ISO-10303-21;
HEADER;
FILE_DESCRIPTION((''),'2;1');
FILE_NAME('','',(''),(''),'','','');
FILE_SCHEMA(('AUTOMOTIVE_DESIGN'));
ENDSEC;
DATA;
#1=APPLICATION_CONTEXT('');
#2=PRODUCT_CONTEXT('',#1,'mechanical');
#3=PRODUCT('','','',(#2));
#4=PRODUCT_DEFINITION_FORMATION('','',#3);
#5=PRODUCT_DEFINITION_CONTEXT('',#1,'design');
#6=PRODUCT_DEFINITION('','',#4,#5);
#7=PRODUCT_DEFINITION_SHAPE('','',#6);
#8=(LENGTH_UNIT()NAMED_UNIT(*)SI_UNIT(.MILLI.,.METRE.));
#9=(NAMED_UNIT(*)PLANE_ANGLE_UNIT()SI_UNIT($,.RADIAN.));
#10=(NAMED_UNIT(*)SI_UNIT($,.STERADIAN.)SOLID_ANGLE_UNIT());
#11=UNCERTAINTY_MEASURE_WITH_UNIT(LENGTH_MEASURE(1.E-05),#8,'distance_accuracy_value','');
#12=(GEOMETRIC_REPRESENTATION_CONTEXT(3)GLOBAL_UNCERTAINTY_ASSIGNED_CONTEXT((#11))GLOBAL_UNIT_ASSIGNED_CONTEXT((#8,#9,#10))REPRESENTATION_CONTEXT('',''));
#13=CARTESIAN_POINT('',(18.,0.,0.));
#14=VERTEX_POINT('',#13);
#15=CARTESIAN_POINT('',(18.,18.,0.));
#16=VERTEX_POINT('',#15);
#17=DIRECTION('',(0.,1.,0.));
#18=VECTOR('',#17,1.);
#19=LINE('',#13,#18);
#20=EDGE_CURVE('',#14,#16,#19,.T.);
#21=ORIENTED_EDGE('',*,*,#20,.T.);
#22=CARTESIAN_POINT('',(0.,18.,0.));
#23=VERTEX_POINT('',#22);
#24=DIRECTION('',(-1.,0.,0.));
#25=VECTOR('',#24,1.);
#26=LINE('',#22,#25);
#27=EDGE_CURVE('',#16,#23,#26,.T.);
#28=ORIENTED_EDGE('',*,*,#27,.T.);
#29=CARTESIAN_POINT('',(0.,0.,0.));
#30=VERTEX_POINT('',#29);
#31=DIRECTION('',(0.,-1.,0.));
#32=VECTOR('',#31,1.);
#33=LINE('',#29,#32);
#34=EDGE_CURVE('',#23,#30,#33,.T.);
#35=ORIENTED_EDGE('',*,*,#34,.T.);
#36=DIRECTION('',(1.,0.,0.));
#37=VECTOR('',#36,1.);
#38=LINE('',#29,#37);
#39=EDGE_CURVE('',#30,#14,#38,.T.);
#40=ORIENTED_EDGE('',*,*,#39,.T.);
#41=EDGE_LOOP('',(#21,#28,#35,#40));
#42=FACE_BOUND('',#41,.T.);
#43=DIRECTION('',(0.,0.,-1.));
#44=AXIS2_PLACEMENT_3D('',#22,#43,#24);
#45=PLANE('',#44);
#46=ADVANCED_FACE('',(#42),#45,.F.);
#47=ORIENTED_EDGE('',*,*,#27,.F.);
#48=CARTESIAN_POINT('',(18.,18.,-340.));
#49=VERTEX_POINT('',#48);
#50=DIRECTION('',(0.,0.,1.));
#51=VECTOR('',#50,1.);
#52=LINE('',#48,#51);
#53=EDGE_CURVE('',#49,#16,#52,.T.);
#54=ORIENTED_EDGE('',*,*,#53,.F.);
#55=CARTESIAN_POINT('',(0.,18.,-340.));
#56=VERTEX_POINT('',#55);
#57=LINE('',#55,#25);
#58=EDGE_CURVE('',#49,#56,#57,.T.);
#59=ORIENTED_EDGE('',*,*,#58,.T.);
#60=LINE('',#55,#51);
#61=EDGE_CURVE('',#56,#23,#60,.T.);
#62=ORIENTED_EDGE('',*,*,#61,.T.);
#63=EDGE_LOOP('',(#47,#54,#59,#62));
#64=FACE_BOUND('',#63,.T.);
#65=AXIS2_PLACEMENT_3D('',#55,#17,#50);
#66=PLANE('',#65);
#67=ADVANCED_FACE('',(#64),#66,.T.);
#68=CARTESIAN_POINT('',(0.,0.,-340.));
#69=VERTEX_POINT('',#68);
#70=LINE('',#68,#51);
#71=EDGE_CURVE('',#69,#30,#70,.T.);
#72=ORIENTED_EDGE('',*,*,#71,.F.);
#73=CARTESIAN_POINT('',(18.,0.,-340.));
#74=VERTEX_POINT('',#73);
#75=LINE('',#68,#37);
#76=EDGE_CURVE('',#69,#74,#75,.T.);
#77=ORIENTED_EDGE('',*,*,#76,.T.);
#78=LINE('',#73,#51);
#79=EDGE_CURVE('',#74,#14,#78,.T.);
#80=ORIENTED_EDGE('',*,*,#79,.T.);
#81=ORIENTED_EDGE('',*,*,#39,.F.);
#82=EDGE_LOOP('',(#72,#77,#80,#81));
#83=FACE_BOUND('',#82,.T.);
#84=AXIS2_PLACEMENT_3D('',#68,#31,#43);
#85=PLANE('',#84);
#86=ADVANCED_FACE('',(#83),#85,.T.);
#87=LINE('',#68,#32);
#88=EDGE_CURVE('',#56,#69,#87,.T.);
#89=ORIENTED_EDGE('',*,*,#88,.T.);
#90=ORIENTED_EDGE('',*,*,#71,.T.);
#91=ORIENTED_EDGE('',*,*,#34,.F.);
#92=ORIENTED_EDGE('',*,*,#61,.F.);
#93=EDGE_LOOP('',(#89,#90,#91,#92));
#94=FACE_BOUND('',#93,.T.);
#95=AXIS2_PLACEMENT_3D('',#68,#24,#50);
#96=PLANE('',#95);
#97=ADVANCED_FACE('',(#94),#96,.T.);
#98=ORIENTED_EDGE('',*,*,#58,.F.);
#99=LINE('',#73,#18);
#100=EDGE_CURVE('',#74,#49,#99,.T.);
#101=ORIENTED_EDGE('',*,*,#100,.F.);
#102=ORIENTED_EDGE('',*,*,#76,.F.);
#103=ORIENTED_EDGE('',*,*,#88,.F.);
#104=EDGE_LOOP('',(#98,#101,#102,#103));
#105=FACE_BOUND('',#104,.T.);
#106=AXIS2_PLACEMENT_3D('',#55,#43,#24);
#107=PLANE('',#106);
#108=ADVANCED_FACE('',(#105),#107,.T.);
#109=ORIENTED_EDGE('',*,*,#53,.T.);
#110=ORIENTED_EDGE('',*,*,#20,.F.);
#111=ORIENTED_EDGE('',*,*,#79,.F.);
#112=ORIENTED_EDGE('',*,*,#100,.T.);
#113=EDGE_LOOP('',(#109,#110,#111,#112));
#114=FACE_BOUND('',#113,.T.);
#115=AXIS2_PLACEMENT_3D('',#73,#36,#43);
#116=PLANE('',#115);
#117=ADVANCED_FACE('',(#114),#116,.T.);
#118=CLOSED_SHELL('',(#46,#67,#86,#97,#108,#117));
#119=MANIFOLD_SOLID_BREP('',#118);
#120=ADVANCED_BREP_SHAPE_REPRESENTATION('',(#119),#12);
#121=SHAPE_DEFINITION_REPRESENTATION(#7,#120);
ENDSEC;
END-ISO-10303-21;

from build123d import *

# Parameters (mm, degrees)
ESQUISSE1_W      = 18
ESQUISSE1_H      = 18
EXTRUSION1_DEPTH = 340


with BuildPart() as part:
    # Esquisse1 → Extrusion1 (new body)
    with BuildSketch(Plane.XY):
        with Locations((9, 9)):
            Rectangle(ESQUISSE1_W, ESQUISSE1_H)
    extrude(amount=-EXTRUSION1_DEPTH)


solid = part.part
